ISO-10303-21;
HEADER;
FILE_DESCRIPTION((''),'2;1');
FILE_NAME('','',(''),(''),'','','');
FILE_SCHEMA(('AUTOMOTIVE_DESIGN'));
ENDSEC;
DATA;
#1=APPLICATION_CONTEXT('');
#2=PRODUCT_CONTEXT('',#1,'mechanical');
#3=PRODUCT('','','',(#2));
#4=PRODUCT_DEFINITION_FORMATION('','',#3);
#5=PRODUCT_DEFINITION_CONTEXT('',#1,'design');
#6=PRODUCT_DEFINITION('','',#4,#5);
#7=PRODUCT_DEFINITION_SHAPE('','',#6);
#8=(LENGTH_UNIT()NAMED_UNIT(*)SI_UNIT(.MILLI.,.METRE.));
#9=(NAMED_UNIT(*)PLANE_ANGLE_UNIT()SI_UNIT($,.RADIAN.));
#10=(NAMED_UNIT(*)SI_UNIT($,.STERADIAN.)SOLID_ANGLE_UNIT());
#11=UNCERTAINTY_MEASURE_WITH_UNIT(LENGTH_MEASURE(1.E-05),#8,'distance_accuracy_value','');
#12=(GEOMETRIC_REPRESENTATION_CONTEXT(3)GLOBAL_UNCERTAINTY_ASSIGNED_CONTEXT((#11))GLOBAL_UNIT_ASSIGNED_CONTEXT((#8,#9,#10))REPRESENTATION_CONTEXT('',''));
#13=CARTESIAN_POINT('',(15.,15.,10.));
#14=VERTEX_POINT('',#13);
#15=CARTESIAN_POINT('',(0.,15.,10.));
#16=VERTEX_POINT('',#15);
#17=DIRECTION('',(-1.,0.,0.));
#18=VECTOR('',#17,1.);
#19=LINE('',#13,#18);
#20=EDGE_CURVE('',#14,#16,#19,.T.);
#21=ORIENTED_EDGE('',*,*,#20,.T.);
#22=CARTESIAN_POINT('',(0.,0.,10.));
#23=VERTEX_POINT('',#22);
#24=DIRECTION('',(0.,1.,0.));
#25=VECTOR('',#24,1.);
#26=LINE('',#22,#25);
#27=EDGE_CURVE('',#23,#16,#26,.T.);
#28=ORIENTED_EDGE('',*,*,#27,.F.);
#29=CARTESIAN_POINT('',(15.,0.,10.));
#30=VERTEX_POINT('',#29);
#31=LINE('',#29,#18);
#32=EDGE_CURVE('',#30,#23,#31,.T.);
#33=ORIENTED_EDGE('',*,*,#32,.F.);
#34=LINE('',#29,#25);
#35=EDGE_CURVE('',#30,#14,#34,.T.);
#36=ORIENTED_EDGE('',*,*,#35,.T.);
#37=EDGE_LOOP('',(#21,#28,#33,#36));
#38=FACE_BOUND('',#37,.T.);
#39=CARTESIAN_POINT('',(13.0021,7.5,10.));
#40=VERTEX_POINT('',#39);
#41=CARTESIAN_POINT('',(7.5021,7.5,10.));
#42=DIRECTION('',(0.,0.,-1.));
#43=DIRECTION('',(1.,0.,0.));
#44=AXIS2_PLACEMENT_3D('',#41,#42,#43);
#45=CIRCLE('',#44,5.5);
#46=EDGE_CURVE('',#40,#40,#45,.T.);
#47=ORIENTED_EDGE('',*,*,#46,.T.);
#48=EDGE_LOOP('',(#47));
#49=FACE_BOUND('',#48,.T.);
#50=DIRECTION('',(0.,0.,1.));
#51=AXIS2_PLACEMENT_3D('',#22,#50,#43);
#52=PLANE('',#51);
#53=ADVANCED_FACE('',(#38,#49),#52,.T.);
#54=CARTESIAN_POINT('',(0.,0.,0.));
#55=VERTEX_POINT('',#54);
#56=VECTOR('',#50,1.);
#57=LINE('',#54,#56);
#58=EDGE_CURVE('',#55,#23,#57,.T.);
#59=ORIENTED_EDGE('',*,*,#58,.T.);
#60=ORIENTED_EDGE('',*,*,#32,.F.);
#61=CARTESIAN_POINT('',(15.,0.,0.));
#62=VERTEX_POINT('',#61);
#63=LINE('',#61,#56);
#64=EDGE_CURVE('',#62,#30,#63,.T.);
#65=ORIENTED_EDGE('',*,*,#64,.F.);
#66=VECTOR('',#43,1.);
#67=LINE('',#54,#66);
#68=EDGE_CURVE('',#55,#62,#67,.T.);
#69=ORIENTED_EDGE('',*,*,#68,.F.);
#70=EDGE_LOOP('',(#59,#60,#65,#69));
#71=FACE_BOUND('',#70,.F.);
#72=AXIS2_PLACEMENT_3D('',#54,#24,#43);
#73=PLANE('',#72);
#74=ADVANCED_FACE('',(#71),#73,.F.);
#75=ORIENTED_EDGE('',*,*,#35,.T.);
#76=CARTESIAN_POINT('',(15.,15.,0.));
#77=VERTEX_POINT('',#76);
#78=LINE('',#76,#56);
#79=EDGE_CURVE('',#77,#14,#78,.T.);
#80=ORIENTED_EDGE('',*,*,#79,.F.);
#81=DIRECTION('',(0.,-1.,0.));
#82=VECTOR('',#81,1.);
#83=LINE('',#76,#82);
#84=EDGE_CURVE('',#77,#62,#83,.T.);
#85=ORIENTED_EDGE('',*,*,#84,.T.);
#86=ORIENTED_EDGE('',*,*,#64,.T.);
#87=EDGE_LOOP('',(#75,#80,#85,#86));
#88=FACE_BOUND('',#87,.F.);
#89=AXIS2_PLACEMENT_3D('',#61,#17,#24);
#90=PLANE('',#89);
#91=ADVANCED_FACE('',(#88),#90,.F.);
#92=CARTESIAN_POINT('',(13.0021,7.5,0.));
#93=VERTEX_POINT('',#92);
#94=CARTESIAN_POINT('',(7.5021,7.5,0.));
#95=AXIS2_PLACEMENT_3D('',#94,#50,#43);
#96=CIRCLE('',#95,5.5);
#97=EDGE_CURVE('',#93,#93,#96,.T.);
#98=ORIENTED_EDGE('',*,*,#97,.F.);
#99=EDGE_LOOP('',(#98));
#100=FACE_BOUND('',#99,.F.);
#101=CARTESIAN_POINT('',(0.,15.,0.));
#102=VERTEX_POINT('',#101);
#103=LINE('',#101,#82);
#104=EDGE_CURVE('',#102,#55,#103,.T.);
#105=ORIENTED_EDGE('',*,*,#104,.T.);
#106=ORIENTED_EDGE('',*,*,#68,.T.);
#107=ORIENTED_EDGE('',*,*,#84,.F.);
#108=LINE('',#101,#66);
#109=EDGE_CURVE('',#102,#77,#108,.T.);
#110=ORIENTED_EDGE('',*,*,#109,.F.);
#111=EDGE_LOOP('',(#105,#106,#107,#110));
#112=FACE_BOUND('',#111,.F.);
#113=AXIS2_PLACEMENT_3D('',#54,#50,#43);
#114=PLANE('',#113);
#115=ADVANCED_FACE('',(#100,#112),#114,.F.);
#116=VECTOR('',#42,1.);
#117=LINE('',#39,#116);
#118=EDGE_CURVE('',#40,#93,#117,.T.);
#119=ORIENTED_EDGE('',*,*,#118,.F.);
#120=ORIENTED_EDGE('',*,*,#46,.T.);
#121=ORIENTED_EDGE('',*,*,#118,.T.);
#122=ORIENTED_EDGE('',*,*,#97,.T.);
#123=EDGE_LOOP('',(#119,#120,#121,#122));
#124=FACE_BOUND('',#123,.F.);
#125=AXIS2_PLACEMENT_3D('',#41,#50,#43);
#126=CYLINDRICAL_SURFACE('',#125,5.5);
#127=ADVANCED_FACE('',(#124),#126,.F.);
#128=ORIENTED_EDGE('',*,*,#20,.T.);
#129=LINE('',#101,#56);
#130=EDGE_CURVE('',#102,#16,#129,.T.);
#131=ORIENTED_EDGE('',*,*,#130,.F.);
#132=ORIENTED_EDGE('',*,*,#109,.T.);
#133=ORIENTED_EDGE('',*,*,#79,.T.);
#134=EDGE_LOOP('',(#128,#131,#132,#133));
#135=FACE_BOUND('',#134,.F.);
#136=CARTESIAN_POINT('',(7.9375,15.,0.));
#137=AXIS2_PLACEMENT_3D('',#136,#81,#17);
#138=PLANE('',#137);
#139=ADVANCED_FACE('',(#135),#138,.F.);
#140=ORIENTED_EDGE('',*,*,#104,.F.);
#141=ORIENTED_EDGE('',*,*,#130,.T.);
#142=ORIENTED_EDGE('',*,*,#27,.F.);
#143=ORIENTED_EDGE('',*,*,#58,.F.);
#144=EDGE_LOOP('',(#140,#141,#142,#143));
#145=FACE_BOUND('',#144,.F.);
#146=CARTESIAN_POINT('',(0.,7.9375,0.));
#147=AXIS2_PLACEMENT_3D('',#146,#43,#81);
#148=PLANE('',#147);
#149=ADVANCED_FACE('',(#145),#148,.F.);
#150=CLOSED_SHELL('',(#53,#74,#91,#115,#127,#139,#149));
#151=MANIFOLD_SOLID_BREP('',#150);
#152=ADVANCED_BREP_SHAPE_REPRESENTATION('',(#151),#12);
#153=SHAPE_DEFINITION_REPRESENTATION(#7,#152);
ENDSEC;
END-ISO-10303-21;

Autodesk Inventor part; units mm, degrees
ref_plane "YZ Plane" through (0, 0, 0) normal (1, 0, 0) x (0, 1, 0)
ref_plane "XZ Plane" through (0, 0, 0) normal (0, 1, 0) x (-1, 0, 0)
ref_plane "XY Plane" through (0, 0, 0) normal (0, 0, 1) x (1, 0, 0)
sketch "Sketch1" plane through (0, 0, 0) normal (0, 0, 1) x (1, 0, 0)
  point P0 (0, 0)
sketch "Sketch2" plane through (0, 0, 0) normal (0, 0, 1) x (1, 0, 0)
  line L0 (0, 0) -> (15, 0)
  line L1 (15, 0) -> (15, 15)
  line L2 (15, 15) -> (0, 15)
  line L3 (0, 15) -> (0, 0)
  line L4 (0, 7.9375) -> (15.875, 7.9375)
  line L5 (7.9375, 15) -> (7.9375, 0)
  dimension "d0" = 15
  dimension "d1" = 15
extrude "Extrusion1" add sketch "Sketch2" along normal blind 10
sketch "Sketch3" plane through (0, 0, 10) normal (0, 0, 1) x (1, 0, 0)
  line L0 (0, 14.9966) -> (7.5, 15)
  line L1 (15, 15) -> (0, 15) projected
  line L2 (0.0034, 7.4661) -> (15, 7.2509)
  arc A0 (7.5017, 0) -> (7.5, 15) centre (-22407.2052, 4.9864) ccw
  circle A1 centre (7.5021, 7.5) radius 5.5
  point P0 (0, 0)
  dimension "d4" = 11
extrude "Extrusion2" cut sketch "Sketch3" along normal through all both and the other way through all
thread "Thread1" size "M11x1.5" class "6H" standard "ANSI Metric M Profile" full length
properties part number "bolt1"
